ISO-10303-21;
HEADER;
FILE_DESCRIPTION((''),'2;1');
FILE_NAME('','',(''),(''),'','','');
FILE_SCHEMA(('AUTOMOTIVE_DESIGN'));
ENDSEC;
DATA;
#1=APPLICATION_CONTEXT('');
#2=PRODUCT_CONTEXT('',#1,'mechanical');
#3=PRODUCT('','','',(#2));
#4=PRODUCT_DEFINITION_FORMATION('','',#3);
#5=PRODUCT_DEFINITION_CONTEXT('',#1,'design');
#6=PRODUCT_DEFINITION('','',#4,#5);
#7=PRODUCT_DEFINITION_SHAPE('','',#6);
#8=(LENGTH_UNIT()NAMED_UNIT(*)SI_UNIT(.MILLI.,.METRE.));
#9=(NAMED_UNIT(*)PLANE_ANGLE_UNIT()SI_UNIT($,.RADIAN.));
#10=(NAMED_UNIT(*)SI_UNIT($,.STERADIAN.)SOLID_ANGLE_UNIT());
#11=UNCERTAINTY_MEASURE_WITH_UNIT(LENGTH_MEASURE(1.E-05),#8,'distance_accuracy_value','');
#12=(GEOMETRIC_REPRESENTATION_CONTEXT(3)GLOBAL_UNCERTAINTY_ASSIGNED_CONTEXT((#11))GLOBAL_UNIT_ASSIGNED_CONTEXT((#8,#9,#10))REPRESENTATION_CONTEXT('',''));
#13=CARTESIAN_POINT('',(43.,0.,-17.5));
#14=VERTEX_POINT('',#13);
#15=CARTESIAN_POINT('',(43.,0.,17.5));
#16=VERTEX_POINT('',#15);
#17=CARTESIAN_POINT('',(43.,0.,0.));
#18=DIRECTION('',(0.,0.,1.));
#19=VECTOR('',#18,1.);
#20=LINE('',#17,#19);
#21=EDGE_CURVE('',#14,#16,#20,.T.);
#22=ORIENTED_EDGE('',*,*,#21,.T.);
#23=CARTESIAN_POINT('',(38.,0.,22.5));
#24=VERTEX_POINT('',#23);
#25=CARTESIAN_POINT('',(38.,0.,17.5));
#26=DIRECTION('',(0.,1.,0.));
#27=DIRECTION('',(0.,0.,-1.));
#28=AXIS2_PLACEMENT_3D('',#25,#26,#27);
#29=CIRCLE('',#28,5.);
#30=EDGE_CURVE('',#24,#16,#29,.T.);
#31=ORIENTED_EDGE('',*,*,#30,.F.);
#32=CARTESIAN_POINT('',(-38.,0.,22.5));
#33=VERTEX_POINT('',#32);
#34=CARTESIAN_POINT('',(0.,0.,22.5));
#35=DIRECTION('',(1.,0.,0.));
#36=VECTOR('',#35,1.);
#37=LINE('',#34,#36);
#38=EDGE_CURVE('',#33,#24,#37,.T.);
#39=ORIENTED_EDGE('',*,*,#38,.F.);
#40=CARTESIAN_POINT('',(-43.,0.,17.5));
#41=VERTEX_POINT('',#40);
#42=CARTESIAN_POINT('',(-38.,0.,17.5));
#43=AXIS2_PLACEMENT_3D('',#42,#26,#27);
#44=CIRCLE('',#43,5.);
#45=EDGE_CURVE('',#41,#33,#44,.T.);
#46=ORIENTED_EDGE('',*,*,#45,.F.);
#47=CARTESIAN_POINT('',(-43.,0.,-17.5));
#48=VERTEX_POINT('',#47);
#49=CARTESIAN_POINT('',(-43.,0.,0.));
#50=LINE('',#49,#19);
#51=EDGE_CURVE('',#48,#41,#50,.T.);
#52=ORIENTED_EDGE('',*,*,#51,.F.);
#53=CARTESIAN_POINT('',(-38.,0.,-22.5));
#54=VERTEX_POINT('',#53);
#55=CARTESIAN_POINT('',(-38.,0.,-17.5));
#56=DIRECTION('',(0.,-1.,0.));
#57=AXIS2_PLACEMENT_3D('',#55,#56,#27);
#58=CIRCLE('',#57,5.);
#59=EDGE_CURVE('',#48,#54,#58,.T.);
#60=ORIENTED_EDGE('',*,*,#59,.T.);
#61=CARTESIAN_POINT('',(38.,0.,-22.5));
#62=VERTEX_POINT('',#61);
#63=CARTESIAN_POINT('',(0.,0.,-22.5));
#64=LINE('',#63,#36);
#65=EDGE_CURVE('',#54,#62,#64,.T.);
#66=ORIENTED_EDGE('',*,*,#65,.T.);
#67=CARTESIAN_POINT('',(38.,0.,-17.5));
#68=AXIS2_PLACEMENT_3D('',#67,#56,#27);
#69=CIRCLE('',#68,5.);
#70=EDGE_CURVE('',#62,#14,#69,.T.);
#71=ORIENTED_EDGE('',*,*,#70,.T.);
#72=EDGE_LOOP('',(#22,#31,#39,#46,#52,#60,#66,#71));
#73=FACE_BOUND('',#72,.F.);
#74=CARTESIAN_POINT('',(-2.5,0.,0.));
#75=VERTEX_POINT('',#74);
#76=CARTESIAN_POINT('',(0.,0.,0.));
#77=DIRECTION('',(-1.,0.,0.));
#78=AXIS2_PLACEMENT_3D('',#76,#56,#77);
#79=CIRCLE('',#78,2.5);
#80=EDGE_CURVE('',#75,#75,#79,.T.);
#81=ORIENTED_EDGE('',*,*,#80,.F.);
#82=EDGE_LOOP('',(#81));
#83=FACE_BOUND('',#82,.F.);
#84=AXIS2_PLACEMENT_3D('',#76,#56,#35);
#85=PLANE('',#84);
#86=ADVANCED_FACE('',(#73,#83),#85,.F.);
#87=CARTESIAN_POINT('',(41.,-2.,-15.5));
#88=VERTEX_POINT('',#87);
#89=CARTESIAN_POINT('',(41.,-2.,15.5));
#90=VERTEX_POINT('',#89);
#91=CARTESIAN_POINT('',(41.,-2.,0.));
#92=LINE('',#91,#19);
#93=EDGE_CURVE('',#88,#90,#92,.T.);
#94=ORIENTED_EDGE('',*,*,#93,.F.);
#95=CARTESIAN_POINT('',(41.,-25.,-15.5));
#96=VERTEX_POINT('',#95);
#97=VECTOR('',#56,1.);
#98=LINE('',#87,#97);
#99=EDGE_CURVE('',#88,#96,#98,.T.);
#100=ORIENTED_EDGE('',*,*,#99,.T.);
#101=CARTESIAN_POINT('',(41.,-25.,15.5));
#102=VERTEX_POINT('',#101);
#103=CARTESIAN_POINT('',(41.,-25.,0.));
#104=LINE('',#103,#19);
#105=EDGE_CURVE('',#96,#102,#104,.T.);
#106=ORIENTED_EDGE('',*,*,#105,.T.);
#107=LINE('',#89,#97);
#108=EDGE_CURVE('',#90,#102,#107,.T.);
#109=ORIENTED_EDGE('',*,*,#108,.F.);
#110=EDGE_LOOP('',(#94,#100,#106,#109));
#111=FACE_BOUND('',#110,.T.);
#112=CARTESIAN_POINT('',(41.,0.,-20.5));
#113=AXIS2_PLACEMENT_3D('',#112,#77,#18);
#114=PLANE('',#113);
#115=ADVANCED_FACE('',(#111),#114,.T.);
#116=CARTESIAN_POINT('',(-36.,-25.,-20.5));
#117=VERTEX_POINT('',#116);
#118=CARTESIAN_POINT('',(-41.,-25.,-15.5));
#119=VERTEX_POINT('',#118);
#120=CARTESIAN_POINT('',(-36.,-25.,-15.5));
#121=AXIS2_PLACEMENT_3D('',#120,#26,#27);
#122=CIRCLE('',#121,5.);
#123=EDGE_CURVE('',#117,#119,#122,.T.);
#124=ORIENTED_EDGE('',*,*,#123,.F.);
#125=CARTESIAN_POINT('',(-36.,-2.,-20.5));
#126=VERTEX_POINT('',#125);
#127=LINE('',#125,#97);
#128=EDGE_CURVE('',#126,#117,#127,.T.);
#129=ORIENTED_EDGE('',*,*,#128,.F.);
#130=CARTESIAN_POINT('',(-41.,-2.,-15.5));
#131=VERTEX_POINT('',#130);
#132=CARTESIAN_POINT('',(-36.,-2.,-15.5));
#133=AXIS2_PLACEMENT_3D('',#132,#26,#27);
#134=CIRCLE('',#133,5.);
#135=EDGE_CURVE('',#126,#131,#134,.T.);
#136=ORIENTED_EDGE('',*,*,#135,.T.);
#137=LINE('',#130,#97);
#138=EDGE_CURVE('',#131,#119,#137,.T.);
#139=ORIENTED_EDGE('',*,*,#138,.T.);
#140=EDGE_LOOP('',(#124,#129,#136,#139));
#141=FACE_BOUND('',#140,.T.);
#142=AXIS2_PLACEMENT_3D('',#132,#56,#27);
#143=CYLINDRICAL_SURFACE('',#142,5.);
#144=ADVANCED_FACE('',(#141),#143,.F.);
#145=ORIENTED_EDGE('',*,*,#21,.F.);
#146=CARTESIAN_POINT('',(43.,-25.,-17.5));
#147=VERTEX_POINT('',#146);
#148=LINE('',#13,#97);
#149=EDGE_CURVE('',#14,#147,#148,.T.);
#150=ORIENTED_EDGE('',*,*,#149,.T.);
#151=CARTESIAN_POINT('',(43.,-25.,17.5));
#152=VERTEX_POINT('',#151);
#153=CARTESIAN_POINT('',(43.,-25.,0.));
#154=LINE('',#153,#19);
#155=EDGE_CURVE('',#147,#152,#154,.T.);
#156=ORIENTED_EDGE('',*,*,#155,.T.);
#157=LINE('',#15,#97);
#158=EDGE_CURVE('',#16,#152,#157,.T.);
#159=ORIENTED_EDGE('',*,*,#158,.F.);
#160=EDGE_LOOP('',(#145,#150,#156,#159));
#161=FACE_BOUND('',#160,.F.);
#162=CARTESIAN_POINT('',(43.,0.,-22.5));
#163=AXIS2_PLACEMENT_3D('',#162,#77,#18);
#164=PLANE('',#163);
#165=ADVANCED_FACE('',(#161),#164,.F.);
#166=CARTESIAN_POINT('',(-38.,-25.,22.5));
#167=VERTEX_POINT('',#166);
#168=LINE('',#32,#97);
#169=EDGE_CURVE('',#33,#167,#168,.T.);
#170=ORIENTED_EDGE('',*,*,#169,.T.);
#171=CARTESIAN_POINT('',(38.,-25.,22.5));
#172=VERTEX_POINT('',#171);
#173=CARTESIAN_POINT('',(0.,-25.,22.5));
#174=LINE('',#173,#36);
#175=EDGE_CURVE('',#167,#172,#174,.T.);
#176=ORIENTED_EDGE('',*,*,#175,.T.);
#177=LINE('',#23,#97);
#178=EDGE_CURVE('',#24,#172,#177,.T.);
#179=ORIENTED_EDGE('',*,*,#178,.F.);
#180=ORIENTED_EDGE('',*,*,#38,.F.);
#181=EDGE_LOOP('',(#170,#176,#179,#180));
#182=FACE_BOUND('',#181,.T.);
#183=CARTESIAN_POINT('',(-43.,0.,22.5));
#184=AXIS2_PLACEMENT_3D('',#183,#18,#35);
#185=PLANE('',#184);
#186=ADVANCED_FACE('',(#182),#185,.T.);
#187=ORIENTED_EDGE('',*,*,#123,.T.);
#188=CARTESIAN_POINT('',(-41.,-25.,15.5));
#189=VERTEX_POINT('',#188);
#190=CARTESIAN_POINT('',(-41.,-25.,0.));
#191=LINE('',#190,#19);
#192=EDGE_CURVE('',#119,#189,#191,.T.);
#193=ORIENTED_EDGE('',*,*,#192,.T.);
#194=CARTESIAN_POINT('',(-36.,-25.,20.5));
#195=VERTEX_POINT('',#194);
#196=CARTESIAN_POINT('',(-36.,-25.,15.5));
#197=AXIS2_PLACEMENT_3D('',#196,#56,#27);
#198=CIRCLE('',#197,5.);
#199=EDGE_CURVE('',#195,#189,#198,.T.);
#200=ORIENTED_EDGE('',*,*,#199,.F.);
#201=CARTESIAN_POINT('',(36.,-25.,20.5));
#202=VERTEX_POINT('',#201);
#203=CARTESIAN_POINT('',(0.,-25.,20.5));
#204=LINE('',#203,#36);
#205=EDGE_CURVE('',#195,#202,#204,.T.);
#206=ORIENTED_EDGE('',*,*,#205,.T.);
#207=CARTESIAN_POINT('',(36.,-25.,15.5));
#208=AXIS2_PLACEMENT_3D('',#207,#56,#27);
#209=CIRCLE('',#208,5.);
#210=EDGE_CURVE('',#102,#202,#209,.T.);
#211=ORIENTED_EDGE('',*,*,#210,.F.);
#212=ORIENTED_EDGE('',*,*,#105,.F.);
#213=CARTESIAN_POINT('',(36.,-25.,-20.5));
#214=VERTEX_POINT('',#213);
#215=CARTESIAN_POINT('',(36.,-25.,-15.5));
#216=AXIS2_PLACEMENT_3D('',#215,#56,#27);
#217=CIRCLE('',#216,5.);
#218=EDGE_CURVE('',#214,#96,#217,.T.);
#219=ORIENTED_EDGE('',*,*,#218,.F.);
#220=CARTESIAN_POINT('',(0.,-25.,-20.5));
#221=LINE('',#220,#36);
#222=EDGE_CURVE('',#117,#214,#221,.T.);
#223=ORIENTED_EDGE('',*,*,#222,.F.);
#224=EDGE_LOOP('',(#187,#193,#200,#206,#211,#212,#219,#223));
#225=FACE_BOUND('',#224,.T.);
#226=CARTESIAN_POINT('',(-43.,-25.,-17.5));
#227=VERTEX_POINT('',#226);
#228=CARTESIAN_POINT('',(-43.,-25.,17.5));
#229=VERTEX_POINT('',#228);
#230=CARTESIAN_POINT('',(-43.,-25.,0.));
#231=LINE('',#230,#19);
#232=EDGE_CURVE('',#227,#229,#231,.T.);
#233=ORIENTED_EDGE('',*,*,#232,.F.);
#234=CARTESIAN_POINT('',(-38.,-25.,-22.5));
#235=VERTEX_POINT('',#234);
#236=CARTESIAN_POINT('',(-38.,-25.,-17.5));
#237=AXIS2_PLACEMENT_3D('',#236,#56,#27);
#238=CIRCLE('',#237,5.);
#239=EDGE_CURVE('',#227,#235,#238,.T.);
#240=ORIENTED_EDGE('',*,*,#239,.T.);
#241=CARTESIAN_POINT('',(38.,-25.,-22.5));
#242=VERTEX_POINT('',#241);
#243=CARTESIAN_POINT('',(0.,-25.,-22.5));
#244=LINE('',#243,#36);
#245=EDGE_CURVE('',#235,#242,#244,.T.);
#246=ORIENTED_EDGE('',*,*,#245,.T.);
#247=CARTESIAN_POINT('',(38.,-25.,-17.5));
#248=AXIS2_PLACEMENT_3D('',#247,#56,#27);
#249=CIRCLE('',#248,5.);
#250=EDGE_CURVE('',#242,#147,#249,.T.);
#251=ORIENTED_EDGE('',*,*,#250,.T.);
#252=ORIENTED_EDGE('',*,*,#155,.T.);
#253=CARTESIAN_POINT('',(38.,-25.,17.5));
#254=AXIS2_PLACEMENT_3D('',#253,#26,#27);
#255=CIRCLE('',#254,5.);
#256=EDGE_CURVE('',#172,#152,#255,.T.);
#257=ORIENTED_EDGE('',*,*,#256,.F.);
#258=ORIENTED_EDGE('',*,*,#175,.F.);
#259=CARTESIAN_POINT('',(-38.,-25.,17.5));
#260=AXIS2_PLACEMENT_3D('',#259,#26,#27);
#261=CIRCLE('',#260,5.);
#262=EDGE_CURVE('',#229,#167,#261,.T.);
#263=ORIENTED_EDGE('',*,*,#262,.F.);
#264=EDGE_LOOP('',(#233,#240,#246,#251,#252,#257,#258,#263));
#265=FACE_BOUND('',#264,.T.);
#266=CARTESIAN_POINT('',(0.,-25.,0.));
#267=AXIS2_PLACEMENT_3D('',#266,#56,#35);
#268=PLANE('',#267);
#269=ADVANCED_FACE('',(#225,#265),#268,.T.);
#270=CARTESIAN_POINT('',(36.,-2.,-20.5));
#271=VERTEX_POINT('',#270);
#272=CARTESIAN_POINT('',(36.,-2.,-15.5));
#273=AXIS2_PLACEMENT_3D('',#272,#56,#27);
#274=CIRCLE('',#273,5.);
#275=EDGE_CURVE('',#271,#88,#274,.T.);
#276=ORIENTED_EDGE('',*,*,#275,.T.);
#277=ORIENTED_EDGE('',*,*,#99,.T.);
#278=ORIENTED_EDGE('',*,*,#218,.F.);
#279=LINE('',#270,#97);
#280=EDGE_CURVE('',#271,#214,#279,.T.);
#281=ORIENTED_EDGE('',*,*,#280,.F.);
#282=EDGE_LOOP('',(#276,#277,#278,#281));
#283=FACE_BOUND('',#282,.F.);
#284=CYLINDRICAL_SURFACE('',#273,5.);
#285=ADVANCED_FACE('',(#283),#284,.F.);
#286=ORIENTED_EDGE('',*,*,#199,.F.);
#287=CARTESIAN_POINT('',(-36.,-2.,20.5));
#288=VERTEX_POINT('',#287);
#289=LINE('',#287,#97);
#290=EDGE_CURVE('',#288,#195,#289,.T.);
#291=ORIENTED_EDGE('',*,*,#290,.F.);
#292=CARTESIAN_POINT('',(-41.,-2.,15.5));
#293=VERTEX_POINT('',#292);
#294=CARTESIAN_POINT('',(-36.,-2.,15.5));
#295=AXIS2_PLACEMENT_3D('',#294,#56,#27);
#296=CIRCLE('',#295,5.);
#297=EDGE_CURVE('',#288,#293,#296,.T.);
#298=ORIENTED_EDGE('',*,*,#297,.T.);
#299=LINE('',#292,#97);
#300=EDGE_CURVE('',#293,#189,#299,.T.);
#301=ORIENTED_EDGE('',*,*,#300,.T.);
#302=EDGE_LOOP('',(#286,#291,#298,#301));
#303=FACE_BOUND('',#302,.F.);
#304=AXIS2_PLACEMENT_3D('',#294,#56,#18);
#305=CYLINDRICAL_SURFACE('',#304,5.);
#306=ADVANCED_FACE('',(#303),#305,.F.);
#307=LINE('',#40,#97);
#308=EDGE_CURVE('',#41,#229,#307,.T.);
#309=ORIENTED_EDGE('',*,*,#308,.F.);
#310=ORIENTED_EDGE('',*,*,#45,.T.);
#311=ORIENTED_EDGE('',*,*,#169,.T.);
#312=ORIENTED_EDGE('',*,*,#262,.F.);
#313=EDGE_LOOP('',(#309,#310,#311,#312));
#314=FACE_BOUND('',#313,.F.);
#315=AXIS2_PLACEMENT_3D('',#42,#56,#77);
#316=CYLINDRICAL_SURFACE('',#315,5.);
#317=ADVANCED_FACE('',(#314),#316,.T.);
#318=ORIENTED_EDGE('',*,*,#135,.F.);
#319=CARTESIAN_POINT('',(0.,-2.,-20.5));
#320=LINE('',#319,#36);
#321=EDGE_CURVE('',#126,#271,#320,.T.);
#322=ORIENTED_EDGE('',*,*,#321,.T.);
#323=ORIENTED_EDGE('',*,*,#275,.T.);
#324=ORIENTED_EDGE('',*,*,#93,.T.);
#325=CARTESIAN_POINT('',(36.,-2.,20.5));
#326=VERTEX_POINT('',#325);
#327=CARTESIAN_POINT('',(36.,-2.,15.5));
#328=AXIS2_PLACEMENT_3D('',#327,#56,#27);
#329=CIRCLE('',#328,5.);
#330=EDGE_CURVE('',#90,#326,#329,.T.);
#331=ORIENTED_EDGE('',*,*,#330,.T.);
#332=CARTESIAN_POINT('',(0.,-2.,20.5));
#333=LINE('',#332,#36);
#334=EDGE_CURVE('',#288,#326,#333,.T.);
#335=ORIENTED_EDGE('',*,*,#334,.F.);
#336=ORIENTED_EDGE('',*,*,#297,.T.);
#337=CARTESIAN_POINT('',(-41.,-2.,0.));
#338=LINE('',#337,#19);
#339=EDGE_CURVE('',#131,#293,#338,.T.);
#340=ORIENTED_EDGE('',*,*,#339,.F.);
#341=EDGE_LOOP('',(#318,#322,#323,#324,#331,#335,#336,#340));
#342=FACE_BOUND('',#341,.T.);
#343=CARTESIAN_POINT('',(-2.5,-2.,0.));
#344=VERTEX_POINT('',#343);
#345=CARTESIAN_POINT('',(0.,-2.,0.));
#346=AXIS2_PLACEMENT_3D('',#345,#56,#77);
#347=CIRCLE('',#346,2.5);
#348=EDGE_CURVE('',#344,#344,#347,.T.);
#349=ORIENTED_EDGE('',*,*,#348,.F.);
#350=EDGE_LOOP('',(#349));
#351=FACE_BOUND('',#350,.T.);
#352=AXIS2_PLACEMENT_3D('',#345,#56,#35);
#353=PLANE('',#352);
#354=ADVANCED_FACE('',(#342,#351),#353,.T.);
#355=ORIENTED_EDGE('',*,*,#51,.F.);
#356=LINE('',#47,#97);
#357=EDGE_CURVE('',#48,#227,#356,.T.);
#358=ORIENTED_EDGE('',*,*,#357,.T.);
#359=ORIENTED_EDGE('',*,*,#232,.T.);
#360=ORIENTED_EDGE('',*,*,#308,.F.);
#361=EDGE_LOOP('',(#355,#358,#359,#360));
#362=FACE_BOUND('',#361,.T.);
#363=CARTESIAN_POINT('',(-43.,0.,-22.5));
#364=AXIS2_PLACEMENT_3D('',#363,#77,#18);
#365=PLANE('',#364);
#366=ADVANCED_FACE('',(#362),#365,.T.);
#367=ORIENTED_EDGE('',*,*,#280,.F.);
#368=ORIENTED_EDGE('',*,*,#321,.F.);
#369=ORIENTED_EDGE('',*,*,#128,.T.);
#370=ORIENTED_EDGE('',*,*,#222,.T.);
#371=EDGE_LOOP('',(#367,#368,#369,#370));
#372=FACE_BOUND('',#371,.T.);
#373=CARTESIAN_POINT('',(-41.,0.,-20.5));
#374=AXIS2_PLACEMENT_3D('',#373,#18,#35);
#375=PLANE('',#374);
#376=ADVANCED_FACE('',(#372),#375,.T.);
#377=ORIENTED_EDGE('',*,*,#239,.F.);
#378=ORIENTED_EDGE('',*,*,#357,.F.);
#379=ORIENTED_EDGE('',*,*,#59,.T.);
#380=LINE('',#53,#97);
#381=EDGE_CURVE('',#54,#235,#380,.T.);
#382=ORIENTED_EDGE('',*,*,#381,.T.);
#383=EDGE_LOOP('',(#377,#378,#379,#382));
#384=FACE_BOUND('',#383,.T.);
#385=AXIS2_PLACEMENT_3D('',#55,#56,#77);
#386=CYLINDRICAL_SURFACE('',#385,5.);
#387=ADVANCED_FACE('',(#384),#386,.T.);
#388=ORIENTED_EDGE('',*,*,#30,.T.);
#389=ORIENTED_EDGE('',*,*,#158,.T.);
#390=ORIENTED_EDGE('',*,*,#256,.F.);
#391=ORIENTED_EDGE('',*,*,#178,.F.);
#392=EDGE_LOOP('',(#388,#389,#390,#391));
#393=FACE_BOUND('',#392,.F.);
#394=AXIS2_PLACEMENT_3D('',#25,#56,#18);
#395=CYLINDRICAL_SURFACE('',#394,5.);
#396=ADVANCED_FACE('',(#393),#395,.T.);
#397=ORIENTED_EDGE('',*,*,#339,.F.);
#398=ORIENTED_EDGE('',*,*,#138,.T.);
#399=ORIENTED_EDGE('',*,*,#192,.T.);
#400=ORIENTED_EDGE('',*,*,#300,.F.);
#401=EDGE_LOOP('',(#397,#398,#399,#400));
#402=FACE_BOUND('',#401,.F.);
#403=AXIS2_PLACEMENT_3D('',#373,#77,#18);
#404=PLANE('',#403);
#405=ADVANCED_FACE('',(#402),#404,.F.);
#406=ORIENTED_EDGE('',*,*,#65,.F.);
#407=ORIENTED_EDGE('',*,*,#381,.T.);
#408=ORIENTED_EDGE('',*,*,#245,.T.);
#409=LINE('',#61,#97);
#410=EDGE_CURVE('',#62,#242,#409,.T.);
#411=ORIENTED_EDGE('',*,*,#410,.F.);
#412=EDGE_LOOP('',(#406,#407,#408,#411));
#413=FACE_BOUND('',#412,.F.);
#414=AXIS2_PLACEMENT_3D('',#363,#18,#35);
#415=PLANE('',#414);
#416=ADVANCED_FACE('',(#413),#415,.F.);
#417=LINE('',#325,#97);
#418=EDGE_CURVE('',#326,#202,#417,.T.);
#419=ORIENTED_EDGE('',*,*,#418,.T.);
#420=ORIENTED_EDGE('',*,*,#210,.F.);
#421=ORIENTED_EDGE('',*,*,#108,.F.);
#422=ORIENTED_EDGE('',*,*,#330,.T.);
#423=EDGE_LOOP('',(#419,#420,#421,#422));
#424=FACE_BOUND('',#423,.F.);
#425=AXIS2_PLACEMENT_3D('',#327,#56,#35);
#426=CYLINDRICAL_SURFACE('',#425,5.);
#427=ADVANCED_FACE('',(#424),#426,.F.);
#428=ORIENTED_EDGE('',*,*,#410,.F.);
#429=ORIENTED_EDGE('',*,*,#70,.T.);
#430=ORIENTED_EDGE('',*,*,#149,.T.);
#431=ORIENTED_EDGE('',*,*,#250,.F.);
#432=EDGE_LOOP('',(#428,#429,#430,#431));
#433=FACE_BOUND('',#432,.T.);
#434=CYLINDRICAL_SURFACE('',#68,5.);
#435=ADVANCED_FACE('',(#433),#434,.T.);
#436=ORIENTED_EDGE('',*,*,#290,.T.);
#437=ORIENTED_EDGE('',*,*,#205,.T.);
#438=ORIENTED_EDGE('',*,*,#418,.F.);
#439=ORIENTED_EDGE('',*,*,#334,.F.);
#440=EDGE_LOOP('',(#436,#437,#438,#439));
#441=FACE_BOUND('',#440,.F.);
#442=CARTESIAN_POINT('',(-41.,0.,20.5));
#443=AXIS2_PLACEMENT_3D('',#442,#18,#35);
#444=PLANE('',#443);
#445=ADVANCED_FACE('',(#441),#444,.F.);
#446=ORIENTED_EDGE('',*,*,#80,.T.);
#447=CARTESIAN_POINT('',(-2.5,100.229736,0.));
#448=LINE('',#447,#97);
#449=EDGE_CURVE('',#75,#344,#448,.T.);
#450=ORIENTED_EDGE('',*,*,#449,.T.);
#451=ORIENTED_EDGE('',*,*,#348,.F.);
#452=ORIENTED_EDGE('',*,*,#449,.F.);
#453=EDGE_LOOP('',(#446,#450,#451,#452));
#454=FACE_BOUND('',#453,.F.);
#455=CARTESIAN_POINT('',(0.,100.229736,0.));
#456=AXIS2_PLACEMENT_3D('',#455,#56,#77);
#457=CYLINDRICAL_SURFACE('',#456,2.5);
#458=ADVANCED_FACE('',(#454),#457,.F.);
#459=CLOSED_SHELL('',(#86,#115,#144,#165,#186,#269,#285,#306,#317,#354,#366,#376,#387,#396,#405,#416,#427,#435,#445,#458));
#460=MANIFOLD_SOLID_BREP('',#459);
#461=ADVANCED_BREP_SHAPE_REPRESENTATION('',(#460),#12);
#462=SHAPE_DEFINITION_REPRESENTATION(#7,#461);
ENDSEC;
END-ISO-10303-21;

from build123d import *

# Parameters (mm, degrees)
F0_W     = 82
F0_H     = 41
F1_DEPTH = 2
F0_W_2   = 86
F0_H_2   = 45
F2_DEPTH = 25
F3_R     = 5
F4_D     = 5


with BuildPart() as f1:
    # F0 (on Front) → F1 (new body)
    with BuildSketch(Plane.XZ):
        Rectangle(F0_W, F0_H)
    extrude(amount=F1_DEPTH)

    # F0 (on Front) → F2 (join)
    with BuildSketch(Plane.XZ):
        Rectangle(F0_W_2, F0_H_2)
        Rectangle(F0_W, F0_H, mode=Mode.SUBTRACT)
    extrude(amount=F2_DEPTH)

    # F3
    f3_edges = [f1.edges().sort_by_distance(p)[0] for p in [
        (43, -12.5, 22.5),
        (-43, -12.5, -22.5),
        (-43, -12.5, 22.5),
        (43, -12.5, -22.5),
        (41, -13.5, -20.5),
        (-41, -13.5, -20.5),
        (41, -13.5, 20.5),
        (-41, -13.5, 20.5),
    ]]
    fillet(f3_edges, radius=F3_R)

    # F4 (through all)
    with Locations(Plane(origin=(0, 0, 0), x_dir=(1, 0, 0), z_dir=(0, 1, 0))):
        with Locations((0, 0)):
            Hole(F4_D / 2)


solid = f1.part
